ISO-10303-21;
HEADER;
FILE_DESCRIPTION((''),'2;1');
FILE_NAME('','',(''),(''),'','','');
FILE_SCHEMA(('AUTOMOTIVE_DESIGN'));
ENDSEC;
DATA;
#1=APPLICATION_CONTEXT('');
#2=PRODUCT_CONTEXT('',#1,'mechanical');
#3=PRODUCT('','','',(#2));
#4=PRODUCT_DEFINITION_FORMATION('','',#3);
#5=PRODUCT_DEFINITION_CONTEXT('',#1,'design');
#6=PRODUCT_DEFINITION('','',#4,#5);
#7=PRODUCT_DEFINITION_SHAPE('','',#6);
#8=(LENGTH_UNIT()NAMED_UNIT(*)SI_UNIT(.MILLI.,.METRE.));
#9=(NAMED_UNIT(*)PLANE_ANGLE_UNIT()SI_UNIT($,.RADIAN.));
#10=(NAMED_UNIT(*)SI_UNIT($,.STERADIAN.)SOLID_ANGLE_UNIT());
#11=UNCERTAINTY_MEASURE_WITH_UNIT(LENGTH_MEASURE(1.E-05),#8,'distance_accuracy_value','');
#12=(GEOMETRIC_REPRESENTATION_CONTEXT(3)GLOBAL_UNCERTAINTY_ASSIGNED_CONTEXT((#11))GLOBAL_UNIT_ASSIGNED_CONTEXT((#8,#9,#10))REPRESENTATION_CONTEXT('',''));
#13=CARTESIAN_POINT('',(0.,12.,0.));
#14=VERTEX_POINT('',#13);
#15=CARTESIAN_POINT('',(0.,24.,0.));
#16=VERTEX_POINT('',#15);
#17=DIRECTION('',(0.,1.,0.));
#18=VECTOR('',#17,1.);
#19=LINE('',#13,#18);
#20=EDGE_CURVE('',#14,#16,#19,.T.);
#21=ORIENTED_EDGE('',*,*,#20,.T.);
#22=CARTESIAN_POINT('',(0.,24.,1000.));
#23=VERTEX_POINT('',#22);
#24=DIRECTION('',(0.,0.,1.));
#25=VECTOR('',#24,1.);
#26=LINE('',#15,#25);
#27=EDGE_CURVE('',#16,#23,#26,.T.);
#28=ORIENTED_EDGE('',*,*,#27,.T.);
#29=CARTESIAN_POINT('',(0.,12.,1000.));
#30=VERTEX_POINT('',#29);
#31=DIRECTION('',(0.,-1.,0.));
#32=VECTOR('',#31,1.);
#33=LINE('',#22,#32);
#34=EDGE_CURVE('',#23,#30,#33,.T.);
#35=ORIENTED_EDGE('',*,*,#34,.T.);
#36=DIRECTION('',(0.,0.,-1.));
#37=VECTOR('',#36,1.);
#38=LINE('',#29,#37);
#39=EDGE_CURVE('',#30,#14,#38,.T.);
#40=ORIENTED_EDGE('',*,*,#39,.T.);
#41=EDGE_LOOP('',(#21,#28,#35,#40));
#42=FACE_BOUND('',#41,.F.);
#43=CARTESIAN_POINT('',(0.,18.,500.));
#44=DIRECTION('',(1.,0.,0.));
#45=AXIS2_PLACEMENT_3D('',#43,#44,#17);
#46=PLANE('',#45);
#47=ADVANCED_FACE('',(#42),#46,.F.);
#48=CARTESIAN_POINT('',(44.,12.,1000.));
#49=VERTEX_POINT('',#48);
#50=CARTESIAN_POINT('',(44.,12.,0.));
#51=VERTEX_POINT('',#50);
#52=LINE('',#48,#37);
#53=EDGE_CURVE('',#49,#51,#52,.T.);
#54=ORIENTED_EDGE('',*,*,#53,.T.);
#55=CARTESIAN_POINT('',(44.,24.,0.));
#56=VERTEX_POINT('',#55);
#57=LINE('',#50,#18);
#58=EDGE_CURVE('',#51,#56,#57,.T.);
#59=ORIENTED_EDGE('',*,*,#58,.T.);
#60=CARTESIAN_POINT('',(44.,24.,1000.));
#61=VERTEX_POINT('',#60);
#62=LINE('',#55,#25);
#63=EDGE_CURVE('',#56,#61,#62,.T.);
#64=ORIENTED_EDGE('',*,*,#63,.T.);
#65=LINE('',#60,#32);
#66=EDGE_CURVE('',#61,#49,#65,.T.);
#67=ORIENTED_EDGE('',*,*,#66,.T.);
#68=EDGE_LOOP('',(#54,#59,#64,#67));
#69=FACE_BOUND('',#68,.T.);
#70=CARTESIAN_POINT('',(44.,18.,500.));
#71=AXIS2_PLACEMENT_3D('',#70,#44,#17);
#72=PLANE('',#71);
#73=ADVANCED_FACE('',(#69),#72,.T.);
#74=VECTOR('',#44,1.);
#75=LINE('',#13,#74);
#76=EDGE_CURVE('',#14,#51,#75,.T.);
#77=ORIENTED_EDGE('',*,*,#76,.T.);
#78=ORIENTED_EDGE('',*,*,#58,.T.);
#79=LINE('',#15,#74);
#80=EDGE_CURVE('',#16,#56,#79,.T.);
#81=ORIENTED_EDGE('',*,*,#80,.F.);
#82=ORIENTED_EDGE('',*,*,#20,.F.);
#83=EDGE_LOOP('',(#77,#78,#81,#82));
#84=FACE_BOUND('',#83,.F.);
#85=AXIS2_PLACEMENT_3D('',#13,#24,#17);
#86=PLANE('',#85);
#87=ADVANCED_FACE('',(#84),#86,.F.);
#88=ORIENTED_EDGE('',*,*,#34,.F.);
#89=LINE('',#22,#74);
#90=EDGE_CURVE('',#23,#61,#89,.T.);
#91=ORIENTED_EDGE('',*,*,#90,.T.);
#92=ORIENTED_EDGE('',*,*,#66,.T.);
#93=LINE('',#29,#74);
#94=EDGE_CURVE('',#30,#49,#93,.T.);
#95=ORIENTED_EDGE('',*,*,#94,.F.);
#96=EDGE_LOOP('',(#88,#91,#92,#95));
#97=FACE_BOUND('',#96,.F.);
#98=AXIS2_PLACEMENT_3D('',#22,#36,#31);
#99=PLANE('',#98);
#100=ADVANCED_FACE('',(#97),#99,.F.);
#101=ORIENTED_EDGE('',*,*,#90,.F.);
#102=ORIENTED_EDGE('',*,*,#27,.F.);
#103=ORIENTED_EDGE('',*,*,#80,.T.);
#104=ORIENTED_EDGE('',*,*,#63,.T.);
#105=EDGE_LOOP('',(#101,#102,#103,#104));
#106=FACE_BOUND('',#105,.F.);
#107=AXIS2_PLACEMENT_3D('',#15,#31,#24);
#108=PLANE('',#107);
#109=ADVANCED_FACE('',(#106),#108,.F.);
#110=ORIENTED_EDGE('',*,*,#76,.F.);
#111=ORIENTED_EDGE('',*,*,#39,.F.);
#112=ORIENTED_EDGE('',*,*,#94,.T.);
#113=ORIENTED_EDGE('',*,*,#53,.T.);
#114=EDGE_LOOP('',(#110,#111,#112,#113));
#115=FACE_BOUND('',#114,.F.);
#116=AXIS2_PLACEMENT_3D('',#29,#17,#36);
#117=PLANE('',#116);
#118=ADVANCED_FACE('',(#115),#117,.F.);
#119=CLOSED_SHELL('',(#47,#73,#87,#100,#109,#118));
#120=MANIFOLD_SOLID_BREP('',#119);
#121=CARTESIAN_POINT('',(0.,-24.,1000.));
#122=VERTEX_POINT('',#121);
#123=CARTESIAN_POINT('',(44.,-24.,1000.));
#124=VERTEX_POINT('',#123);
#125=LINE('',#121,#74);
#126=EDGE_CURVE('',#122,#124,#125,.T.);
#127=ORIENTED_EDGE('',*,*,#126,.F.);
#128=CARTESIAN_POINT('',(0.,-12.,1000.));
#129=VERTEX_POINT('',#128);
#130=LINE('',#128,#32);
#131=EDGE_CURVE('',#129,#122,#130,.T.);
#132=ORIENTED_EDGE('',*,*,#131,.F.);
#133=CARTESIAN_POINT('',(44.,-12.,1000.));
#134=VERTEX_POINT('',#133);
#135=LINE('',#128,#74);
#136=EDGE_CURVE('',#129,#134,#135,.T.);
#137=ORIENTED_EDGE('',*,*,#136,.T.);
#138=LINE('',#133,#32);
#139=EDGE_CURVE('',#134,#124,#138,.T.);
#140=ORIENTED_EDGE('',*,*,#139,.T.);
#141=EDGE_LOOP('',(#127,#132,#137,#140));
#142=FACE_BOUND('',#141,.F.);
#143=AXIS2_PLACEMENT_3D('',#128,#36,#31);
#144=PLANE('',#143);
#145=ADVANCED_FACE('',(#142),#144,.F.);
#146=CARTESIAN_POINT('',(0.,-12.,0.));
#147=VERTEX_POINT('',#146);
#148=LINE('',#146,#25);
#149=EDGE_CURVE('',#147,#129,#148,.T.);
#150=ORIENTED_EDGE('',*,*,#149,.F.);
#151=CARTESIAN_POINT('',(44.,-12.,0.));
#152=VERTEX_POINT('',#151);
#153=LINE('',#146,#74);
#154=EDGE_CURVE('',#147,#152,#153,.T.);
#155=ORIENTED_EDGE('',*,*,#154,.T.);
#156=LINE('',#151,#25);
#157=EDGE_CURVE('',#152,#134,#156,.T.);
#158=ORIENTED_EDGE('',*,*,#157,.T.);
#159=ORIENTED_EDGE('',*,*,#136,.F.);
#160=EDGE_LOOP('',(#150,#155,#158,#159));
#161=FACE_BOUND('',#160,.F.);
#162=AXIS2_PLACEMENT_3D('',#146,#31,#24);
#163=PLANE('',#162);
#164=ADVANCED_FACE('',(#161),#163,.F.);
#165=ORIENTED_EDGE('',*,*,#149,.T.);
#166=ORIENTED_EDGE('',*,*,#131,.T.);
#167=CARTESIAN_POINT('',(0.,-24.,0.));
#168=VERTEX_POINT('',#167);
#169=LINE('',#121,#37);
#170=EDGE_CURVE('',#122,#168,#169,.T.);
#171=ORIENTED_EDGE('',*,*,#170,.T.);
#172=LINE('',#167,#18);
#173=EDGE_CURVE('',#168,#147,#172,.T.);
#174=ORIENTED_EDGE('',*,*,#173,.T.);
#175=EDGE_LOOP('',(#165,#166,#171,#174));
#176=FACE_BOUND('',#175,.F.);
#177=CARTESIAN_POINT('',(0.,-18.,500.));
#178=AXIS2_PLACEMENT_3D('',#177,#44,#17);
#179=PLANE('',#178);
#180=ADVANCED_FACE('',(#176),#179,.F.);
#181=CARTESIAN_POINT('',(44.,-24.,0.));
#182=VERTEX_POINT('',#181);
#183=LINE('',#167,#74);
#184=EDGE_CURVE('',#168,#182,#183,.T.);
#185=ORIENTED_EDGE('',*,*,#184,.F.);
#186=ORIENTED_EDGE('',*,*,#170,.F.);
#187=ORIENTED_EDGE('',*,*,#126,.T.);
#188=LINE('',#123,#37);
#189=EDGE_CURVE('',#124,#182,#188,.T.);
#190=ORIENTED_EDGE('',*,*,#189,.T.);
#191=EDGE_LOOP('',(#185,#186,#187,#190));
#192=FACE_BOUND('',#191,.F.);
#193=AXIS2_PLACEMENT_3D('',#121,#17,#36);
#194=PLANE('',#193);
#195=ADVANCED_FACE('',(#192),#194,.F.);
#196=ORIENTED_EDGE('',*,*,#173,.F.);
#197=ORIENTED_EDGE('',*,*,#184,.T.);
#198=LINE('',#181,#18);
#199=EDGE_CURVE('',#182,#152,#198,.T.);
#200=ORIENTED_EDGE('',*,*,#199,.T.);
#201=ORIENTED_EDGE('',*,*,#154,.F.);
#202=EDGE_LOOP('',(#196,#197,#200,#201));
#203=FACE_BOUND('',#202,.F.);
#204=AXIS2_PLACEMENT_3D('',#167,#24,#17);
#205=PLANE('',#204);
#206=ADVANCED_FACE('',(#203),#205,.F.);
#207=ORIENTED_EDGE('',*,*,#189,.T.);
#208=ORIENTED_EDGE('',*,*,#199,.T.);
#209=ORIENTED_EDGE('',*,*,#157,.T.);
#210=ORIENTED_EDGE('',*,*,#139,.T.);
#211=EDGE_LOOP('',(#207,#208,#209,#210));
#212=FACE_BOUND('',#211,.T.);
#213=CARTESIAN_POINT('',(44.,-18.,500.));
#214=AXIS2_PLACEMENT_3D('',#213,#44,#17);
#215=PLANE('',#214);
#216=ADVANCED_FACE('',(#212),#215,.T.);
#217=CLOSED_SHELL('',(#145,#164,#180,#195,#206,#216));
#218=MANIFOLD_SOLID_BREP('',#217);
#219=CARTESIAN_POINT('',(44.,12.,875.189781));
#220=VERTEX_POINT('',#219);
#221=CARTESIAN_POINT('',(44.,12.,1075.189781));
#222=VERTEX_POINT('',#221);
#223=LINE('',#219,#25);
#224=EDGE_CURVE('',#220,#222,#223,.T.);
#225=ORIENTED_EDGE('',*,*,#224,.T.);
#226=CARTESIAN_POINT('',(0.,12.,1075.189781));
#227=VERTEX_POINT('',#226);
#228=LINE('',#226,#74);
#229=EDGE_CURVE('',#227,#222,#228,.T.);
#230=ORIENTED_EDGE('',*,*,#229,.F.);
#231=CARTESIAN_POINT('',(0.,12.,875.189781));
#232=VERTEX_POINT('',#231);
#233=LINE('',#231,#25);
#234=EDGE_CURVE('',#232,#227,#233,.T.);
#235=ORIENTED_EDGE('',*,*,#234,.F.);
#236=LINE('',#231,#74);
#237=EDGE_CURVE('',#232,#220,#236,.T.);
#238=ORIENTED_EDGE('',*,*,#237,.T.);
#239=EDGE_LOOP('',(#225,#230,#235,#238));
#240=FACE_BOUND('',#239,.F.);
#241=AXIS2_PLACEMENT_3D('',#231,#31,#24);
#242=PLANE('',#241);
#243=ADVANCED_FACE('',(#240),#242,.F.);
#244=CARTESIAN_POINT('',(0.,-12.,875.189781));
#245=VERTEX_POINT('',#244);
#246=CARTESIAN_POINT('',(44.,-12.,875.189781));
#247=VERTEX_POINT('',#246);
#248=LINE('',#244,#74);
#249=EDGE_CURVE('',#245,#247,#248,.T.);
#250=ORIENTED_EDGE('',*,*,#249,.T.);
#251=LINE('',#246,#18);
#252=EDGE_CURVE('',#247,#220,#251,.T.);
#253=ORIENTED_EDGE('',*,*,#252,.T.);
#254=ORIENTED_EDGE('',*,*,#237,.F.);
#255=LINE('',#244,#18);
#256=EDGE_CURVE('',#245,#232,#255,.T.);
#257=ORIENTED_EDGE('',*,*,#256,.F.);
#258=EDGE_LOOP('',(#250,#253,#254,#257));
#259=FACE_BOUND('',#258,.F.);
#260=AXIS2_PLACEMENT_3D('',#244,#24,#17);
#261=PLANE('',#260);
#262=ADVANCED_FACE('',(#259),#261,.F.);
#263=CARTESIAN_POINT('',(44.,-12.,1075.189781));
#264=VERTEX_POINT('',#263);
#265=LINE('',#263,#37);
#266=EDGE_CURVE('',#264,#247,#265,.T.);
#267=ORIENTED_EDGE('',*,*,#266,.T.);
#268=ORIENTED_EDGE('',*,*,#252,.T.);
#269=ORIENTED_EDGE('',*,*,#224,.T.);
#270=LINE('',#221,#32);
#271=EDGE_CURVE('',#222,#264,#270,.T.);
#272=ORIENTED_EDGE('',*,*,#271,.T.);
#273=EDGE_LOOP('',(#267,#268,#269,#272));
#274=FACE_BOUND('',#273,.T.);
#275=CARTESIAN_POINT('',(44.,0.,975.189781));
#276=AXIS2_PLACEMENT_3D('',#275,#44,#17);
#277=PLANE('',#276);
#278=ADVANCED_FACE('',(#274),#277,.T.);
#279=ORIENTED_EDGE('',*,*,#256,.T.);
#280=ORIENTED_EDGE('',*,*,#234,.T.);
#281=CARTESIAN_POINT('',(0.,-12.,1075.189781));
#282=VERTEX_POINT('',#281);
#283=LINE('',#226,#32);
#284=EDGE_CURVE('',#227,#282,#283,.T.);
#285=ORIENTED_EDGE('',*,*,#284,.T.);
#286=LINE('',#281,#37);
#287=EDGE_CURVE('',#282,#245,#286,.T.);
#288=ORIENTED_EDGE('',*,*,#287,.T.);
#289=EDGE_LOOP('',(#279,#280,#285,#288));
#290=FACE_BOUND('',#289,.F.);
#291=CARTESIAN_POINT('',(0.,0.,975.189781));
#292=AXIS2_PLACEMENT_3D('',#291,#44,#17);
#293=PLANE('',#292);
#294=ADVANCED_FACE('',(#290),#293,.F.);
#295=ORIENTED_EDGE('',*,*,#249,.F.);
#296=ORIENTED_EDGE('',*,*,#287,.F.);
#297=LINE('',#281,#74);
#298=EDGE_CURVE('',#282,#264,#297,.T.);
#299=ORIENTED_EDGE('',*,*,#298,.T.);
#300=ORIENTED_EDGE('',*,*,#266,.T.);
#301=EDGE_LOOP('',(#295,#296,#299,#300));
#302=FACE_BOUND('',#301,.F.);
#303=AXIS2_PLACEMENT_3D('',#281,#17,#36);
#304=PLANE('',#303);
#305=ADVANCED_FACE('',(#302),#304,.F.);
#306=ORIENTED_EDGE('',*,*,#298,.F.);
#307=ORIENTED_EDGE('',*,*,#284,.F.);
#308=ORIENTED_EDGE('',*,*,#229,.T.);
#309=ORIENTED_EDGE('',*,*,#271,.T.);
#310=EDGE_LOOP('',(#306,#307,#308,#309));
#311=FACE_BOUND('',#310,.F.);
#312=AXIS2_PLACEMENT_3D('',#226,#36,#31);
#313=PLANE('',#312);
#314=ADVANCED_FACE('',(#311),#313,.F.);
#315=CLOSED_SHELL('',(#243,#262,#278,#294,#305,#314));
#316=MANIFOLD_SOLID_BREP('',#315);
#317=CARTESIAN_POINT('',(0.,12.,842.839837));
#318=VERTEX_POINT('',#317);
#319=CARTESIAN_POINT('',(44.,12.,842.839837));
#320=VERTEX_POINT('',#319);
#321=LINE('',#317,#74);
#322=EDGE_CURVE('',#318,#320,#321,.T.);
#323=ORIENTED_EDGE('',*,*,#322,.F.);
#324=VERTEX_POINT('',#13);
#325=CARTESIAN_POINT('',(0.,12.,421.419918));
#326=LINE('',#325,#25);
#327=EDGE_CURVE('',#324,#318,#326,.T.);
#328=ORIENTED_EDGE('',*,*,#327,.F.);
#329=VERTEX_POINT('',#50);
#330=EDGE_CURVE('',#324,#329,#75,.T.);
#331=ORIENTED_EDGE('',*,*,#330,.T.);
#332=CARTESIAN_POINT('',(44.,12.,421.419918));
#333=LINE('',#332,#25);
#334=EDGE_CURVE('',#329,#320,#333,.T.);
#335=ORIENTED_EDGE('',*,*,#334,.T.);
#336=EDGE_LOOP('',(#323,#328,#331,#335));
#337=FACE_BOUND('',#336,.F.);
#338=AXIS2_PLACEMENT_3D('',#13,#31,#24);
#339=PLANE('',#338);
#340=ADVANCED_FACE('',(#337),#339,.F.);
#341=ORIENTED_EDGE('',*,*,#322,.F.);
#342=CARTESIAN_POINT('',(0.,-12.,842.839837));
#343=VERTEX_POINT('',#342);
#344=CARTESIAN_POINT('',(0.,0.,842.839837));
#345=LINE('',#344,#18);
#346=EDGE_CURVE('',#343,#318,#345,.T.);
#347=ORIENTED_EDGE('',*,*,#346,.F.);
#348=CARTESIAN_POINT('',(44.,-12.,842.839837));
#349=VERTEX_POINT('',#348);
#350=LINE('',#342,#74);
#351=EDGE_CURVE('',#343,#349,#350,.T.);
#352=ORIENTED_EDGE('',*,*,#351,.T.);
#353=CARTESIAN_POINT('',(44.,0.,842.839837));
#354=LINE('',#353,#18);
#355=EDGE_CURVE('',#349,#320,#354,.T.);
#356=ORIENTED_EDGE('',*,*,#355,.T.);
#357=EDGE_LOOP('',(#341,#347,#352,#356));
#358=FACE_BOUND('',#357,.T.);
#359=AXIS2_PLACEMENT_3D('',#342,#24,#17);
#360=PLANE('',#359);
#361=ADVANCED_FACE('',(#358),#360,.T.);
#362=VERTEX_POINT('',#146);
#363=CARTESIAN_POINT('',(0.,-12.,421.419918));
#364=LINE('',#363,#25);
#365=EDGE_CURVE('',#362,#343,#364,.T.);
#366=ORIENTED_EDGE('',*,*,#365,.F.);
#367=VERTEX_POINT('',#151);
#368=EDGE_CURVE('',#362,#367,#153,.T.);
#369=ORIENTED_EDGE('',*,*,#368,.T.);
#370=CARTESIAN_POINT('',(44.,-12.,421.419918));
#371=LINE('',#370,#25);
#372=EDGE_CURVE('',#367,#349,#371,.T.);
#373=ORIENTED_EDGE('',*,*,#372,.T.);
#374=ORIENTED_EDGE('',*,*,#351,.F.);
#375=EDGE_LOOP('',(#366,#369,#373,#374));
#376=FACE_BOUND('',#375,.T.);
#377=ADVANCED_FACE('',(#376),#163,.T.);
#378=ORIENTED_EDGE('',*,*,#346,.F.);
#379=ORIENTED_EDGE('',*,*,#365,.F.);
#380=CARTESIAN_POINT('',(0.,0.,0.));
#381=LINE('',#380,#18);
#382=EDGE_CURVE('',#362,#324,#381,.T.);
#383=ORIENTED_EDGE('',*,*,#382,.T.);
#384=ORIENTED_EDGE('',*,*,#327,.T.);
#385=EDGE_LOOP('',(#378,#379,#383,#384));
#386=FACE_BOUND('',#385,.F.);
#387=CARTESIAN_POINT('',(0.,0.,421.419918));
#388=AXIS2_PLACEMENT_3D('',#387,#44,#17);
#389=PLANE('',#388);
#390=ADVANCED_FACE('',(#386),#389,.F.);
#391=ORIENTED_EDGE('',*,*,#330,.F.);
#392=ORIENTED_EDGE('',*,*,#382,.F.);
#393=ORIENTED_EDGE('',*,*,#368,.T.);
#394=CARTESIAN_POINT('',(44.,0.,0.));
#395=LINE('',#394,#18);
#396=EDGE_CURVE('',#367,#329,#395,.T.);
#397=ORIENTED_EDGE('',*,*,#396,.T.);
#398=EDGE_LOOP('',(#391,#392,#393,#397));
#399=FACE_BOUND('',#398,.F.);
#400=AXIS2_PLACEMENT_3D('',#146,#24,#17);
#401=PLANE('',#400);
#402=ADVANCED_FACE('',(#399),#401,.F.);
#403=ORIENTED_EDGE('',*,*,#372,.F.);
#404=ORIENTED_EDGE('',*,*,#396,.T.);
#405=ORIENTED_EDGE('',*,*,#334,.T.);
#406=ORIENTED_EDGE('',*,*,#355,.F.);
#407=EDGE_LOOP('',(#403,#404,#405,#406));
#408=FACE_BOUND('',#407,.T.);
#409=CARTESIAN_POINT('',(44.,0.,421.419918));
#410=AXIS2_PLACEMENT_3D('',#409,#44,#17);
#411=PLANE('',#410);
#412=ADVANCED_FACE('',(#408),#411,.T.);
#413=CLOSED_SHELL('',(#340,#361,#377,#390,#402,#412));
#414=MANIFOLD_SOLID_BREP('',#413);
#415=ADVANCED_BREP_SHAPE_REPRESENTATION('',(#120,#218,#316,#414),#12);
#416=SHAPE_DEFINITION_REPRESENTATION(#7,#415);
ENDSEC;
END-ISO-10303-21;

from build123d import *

# Parameters (mm, degrees)
F1_DEPTH = 44
F0_W     = 24
F0_H     = 842.839837
F2_DEPTH = 44


with BuildPart() as f1:
    # F0 (on Right) → F1 (new body)
    with BuildSketch(Plane.YZ):
        Polygon((-24, 0), (-12, 0), (-12, 842.839837), (-12, 875.189781), (-12, 1000), (-24, 1000), align=None)
        Polygon((12, 842.839837), (12, 0), (24, 0), (24, 1000), (12, 1000), (12, 875.189781), align=None)
    extrude(amount=F1_DEPTH)


with BuildPart() as f2:
    # F0 (on Right) → F2 (new body, through all)
    with BuildSketch(Plane.YZ):
        with Locations((0, 421.419918)):
            Rectangle(F0_W, F0_H)
        Polygon((-12, 1000), (-12, 875.189781), (12, 875.189781), (12, 1000), (12, 1075.189781), (-12, 1075.189781), align=None)
    extrude(amount=F2_DEPTH)


solid = Compound([f1.part, f2.part])
